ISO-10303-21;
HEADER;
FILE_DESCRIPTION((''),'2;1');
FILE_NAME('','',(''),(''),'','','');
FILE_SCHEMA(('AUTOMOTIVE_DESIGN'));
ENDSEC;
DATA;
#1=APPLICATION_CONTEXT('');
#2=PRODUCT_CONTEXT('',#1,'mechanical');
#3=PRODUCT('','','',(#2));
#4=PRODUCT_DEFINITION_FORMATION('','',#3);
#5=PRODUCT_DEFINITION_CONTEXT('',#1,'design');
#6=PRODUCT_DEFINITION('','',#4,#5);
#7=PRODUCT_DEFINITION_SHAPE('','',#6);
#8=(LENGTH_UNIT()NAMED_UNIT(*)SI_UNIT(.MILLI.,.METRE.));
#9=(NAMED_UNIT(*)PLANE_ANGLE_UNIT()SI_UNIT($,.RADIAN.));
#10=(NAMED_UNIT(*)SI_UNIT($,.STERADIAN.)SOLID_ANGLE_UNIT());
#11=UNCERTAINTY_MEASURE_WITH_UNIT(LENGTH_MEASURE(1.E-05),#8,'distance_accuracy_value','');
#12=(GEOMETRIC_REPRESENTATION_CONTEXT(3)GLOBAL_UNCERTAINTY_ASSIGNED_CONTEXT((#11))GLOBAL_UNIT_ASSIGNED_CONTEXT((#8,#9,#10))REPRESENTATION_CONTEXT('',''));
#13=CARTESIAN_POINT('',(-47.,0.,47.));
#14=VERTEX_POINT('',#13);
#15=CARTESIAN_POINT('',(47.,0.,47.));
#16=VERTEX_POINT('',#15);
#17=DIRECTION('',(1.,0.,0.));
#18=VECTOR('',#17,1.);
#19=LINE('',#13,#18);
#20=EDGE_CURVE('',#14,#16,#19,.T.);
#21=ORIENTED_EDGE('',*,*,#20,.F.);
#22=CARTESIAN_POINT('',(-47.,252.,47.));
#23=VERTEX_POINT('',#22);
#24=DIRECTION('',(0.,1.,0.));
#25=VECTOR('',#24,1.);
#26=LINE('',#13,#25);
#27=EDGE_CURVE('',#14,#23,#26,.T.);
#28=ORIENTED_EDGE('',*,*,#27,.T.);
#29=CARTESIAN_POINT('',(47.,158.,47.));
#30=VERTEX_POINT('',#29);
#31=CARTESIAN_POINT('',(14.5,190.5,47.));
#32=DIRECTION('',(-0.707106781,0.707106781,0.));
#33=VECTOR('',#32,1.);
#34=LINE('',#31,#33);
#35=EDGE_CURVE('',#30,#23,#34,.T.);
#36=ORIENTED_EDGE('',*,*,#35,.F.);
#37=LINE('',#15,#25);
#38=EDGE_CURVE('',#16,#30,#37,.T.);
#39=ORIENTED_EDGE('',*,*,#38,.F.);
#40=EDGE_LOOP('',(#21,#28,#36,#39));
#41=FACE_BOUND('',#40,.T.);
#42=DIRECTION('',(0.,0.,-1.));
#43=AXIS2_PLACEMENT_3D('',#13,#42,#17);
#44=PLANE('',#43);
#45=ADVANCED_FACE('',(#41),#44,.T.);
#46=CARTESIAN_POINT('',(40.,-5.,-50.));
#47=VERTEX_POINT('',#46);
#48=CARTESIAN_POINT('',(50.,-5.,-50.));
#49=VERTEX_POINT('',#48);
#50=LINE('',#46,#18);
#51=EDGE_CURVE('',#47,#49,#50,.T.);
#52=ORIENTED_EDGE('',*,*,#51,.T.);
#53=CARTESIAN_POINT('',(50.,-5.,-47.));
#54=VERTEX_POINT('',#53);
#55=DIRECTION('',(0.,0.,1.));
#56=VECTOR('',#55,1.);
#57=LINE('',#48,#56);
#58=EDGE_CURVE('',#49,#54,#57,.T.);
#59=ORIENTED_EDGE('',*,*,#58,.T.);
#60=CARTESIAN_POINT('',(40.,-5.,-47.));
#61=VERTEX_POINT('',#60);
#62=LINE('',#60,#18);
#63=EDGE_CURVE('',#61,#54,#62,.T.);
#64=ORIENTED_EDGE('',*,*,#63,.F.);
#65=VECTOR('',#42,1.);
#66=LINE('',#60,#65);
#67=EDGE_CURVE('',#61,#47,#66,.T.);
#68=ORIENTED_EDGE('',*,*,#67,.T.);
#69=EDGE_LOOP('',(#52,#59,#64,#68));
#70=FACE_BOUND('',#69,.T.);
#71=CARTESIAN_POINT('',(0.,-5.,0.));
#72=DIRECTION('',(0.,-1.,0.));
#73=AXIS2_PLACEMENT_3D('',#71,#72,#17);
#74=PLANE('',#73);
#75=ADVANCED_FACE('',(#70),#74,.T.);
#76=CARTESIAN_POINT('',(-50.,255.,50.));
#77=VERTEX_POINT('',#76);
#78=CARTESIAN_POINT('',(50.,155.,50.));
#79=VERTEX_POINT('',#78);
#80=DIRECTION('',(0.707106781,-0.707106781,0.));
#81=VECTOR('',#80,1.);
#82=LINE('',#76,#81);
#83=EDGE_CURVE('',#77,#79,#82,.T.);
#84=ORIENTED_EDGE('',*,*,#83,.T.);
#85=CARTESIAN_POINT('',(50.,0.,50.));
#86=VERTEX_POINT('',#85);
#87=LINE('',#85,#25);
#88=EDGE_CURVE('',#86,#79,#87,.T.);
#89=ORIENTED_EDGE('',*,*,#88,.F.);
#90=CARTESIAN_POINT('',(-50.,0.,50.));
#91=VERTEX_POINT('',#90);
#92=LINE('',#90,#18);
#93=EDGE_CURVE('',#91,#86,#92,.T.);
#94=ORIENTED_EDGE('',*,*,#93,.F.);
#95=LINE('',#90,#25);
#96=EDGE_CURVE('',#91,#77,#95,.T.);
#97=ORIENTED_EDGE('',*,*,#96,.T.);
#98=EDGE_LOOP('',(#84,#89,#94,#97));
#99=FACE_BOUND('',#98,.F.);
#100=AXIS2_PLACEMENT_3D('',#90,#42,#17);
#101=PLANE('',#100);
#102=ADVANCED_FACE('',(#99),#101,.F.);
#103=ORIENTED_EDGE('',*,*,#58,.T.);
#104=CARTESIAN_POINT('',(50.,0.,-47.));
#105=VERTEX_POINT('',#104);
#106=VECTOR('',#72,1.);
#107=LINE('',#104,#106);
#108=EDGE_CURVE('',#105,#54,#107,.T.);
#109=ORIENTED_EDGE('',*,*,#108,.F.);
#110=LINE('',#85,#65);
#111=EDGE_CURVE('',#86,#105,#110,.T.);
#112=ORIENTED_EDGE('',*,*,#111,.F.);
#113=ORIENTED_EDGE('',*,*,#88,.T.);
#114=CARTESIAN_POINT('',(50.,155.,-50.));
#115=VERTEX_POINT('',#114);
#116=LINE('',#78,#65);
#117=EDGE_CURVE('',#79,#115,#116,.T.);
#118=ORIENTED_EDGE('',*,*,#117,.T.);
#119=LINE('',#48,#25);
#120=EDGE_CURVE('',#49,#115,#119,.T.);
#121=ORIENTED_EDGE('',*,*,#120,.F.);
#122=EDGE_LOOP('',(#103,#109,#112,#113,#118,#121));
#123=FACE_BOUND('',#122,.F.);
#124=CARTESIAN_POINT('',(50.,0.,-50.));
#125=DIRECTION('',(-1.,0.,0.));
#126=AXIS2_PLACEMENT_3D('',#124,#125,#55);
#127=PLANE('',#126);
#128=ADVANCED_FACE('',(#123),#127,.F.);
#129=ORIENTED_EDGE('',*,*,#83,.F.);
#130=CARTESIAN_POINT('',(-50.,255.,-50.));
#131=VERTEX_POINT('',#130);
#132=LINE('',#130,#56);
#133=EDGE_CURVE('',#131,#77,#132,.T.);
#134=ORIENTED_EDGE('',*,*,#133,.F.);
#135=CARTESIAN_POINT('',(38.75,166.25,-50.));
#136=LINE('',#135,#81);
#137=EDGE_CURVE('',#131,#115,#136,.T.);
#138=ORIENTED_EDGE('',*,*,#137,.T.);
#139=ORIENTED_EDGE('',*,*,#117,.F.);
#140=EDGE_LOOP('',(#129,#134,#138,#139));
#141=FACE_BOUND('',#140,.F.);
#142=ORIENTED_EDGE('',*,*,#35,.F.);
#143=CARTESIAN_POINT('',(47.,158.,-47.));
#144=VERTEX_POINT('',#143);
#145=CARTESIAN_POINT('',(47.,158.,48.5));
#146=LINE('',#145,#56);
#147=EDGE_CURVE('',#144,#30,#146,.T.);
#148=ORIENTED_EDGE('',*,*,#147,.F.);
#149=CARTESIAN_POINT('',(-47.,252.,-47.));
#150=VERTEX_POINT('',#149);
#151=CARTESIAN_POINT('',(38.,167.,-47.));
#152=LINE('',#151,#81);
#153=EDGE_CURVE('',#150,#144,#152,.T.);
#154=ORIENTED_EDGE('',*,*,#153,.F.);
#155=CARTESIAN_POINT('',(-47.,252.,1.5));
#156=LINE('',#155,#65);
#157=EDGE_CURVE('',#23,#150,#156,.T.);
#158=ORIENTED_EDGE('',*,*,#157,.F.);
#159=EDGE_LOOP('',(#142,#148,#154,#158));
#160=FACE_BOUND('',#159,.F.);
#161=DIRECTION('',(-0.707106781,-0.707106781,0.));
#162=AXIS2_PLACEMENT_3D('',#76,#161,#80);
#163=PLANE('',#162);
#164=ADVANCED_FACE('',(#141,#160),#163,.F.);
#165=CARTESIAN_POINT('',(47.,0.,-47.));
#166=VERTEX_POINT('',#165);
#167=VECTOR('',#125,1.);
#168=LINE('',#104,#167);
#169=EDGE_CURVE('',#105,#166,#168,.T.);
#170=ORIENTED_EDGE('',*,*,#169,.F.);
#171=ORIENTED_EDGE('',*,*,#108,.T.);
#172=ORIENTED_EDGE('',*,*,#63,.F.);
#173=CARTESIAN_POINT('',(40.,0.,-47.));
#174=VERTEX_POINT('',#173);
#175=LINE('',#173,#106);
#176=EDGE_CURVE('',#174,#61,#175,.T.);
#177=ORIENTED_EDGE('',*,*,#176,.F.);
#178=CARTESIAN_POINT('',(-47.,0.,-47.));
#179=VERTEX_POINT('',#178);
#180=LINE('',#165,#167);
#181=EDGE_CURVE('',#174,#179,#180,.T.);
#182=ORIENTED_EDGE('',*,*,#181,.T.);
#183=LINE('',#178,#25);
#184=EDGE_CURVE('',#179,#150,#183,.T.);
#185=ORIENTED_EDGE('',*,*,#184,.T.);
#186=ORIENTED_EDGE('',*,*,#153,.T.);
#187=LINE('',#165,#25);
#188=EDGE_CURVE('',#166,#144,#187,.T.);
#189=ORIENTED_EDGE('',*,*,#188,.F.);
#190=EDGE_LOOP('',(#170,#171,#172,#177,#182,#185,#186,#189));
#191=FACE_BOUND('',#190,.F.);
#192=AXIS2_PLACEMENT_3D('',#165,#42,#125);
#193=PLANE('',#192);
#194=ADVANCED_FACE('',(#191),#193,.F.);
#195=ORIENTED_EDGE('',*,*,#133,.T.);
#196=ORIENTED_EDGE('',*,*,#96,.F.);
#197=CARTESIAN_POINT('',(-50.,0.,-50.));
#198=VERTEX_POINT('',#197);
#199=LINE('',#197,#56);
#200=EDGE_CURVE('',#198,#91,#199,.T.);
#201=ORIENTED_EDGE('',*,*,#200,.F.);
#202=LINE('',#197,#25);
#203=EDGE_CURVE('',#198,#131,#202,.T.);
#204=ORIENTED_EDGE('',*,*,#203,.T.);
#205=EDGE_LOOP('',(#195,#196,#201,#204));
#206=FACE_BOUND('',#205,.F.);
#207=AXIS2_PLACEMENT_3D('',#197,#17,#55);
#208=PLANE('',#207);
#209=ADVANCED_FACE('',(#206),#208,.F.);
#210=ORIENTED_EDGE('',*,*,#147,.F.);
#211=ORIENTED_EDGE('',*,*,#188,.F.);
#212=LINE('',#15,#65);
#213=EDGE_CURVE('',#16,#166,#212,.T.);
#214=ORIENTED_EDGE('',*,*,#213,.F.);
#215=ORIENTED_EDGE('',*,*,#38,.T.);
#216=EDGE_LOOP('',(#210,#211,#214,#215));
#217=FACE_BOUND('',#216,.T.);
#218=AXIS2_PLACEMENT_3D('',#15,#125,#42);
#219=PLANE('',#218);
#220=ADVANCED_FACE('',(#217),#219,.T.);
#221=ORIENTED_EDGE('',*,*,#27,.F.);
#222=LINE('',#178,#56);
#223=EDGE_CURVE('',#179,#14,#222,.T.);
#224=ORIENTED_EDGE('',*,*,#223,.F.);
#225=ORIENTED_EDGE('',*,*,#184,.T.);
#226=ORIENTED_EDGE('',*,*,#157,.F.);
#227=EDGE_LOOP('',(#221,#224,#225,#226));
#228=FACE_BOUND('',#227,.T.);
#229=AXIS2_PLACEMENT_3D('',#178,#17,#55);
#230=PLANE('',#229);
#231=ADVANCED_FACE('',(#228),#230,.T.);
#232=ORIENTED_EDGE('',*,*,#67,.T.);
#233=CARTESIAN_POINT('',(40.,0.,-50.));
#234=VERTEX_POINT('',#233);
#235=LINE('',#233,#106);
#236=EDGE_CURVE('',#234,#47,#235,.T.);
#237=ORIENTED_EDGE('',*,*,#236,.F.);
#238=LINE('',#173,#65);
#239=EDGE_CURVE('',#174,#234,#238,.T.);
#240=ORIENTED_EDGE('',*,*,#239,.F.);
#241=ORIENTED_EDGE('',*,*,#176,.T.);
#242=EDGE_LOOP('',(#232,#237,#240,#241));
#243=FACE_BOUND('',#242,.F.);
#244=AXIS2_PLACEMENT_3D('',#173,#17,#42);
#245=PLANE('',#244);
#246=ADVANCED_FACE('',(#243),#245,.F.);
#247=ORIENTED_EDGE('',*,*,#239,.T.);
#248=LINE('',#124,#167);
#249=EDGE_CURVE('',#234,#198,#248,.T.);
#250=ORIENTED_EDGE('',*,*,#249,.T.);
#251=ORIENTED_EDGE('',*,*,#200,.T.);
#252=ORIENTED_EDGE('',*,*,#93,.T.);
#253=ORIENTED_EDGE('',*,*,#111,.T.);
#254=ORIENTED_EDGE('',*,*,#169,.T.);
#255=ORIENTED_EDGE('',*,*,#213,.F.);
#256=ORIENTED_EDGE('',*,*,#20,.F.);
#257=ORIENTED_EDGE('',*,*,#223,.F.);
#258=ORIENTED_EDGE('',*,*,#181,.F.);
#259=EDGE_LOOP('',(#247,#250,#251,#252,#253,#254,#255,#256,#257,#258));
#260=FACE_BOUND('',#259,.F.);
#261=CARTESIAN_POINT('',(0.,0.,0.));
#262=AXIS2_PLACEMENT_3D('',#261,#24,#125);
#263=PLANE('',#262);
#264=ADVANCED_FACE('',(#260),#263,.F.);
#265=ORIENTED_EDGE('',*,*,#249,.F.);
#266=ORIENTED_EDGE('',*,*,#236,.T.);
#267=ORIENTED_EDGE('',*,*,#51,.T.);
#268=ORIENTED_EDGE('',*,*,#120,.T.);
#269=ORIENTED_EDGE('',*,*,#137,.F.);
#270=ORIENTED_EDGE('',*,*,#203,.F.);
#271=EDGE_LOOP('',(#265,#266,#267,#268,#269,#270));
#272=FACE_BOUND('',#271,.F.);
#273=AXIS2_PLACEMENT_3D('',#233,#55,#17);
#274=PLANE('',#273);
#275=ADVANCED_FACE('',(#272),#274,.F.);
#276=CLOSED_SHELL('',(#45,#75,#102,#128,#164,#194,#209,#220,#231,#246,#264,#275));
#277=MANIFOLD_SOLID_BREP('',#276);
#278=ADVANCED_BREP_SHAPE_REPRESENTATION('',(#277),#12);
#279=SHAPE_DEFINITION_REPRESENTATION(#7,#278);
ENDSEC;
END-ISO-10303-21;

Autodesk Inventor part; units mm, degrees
ref_plane "YZ Plane" through (0, 0, 0) normal (1, 0, 0) x (0, 1, 0)
ref_plane "XZ Plane" through (0, 0, 0) normal (0, 1, 0) x (-1, 0, 0)
ref_plane "XY Plane" through (0, 0, 0) normal (0, 0, 1) x (1, 0, 0)
sketch "Sketch1" plane through (0, 0, 0) normal (0, 1, 0) x (-1, 0, 0)
  line L0 (50, 50) -> (-50, 50)
  line L1 (-50, 50) -> (-50, -50)
  line L2 (-50, -50) -> (50, -50)
  line L3 (50, -50) -> (50, 50)
  line L4 (50, 50) -> (-50, -50) construction
  line L5 (-50, 50) -> (50, -50) construction
  line L6 (47, 47) -> (-47, 47)
  line L7 (-47, 47) -> (-47, -47)
  line L8 (-47, -47) -> (47, -47)
  line L9 (47, -47) -> (47, 47)
  line L10 (47, 47) -> (-47, -47) construction
  line L11 (-47, 47) -> (47, -47) construction
  point P0 (0, 0)
  dimension "d0" = 3
  dimension "d1" = 3
  dimension "d2" = 100
  dimension "d3" = 100
extrude "Extrusion1" add sketch "Sketch1" along normal blind 255
sketch "Sketch2" plane through (-50, 0, 50) normal (0, 0, 1) x (1, 0, 0)
  line L0 (0, 0) -> (100, 0) projected
  line L1 (100, 0) -> (100, 255) projected
  line L2 (0, 255) -> (100, 255) projected
  line L3 (0, 0) -> (0, 255) projected
  line L4 (0, 255) -> (100, 155)
  point P0 (50, 0)
  dimension "d6" = 45
extrude "Extrusion2" cut sketch "Sketch2" against normal through all contours L2 L1 L4
sketch "Sketch3" plane through (0, 0, 0) normal (0, -1, 0) x (1, 0, 0)
  line L0 (-47, -47) -> (-47, 47) projected
  line L1 (-50, -50) -> (-50, 50) projected
  line L2 (-47, 25) -> (-50, 25)
  line L3 (-50, 25) -> (-50, 22)
  line L4 (-50, 22) -> (-47, 22)
  line L5 (-47, 22) -> (-47, 25)
  line L6 (50, -50) -> (50, 50) projected
  line L7 (50, -47) -> (40, -47)
  line L8 (40, -47) -> (40, -50)
  line L9 (40, -50) -> (50, -50)
  line L10 (50, -50) -> (50, -47)
  line L11 (50, 50) -> (50, -50) projected
  line L12 (-50, 50) -> (50, 50) projected
  line L13 (-50, -50) -> (-50, 50) projected
  line L14 (50, -50) -> (-50, -50) projected
  line L15 (-47, 47) -> (-47, -47) projected
  line L16 (47, 47) -> (-47, 47) projected
  line L17 (47, -47) -> (47, 47) projected
  line L18 (-47, -47) -> (47, -47) projected
  line L19 (50, -50) -> (-50, -50) projected
  point P0 (0, 0)
  point P1 (-48.5, 25)
  dimension "d9" = 10
  dimension "d10" = 3
  dimension "d11" = 25
extrude "Extrusion3" add sketch "Sketch3" along normal blind 5 contours L7 L6 L9 L8
properties part number "WI-ShaftRS3" material "Steel"
